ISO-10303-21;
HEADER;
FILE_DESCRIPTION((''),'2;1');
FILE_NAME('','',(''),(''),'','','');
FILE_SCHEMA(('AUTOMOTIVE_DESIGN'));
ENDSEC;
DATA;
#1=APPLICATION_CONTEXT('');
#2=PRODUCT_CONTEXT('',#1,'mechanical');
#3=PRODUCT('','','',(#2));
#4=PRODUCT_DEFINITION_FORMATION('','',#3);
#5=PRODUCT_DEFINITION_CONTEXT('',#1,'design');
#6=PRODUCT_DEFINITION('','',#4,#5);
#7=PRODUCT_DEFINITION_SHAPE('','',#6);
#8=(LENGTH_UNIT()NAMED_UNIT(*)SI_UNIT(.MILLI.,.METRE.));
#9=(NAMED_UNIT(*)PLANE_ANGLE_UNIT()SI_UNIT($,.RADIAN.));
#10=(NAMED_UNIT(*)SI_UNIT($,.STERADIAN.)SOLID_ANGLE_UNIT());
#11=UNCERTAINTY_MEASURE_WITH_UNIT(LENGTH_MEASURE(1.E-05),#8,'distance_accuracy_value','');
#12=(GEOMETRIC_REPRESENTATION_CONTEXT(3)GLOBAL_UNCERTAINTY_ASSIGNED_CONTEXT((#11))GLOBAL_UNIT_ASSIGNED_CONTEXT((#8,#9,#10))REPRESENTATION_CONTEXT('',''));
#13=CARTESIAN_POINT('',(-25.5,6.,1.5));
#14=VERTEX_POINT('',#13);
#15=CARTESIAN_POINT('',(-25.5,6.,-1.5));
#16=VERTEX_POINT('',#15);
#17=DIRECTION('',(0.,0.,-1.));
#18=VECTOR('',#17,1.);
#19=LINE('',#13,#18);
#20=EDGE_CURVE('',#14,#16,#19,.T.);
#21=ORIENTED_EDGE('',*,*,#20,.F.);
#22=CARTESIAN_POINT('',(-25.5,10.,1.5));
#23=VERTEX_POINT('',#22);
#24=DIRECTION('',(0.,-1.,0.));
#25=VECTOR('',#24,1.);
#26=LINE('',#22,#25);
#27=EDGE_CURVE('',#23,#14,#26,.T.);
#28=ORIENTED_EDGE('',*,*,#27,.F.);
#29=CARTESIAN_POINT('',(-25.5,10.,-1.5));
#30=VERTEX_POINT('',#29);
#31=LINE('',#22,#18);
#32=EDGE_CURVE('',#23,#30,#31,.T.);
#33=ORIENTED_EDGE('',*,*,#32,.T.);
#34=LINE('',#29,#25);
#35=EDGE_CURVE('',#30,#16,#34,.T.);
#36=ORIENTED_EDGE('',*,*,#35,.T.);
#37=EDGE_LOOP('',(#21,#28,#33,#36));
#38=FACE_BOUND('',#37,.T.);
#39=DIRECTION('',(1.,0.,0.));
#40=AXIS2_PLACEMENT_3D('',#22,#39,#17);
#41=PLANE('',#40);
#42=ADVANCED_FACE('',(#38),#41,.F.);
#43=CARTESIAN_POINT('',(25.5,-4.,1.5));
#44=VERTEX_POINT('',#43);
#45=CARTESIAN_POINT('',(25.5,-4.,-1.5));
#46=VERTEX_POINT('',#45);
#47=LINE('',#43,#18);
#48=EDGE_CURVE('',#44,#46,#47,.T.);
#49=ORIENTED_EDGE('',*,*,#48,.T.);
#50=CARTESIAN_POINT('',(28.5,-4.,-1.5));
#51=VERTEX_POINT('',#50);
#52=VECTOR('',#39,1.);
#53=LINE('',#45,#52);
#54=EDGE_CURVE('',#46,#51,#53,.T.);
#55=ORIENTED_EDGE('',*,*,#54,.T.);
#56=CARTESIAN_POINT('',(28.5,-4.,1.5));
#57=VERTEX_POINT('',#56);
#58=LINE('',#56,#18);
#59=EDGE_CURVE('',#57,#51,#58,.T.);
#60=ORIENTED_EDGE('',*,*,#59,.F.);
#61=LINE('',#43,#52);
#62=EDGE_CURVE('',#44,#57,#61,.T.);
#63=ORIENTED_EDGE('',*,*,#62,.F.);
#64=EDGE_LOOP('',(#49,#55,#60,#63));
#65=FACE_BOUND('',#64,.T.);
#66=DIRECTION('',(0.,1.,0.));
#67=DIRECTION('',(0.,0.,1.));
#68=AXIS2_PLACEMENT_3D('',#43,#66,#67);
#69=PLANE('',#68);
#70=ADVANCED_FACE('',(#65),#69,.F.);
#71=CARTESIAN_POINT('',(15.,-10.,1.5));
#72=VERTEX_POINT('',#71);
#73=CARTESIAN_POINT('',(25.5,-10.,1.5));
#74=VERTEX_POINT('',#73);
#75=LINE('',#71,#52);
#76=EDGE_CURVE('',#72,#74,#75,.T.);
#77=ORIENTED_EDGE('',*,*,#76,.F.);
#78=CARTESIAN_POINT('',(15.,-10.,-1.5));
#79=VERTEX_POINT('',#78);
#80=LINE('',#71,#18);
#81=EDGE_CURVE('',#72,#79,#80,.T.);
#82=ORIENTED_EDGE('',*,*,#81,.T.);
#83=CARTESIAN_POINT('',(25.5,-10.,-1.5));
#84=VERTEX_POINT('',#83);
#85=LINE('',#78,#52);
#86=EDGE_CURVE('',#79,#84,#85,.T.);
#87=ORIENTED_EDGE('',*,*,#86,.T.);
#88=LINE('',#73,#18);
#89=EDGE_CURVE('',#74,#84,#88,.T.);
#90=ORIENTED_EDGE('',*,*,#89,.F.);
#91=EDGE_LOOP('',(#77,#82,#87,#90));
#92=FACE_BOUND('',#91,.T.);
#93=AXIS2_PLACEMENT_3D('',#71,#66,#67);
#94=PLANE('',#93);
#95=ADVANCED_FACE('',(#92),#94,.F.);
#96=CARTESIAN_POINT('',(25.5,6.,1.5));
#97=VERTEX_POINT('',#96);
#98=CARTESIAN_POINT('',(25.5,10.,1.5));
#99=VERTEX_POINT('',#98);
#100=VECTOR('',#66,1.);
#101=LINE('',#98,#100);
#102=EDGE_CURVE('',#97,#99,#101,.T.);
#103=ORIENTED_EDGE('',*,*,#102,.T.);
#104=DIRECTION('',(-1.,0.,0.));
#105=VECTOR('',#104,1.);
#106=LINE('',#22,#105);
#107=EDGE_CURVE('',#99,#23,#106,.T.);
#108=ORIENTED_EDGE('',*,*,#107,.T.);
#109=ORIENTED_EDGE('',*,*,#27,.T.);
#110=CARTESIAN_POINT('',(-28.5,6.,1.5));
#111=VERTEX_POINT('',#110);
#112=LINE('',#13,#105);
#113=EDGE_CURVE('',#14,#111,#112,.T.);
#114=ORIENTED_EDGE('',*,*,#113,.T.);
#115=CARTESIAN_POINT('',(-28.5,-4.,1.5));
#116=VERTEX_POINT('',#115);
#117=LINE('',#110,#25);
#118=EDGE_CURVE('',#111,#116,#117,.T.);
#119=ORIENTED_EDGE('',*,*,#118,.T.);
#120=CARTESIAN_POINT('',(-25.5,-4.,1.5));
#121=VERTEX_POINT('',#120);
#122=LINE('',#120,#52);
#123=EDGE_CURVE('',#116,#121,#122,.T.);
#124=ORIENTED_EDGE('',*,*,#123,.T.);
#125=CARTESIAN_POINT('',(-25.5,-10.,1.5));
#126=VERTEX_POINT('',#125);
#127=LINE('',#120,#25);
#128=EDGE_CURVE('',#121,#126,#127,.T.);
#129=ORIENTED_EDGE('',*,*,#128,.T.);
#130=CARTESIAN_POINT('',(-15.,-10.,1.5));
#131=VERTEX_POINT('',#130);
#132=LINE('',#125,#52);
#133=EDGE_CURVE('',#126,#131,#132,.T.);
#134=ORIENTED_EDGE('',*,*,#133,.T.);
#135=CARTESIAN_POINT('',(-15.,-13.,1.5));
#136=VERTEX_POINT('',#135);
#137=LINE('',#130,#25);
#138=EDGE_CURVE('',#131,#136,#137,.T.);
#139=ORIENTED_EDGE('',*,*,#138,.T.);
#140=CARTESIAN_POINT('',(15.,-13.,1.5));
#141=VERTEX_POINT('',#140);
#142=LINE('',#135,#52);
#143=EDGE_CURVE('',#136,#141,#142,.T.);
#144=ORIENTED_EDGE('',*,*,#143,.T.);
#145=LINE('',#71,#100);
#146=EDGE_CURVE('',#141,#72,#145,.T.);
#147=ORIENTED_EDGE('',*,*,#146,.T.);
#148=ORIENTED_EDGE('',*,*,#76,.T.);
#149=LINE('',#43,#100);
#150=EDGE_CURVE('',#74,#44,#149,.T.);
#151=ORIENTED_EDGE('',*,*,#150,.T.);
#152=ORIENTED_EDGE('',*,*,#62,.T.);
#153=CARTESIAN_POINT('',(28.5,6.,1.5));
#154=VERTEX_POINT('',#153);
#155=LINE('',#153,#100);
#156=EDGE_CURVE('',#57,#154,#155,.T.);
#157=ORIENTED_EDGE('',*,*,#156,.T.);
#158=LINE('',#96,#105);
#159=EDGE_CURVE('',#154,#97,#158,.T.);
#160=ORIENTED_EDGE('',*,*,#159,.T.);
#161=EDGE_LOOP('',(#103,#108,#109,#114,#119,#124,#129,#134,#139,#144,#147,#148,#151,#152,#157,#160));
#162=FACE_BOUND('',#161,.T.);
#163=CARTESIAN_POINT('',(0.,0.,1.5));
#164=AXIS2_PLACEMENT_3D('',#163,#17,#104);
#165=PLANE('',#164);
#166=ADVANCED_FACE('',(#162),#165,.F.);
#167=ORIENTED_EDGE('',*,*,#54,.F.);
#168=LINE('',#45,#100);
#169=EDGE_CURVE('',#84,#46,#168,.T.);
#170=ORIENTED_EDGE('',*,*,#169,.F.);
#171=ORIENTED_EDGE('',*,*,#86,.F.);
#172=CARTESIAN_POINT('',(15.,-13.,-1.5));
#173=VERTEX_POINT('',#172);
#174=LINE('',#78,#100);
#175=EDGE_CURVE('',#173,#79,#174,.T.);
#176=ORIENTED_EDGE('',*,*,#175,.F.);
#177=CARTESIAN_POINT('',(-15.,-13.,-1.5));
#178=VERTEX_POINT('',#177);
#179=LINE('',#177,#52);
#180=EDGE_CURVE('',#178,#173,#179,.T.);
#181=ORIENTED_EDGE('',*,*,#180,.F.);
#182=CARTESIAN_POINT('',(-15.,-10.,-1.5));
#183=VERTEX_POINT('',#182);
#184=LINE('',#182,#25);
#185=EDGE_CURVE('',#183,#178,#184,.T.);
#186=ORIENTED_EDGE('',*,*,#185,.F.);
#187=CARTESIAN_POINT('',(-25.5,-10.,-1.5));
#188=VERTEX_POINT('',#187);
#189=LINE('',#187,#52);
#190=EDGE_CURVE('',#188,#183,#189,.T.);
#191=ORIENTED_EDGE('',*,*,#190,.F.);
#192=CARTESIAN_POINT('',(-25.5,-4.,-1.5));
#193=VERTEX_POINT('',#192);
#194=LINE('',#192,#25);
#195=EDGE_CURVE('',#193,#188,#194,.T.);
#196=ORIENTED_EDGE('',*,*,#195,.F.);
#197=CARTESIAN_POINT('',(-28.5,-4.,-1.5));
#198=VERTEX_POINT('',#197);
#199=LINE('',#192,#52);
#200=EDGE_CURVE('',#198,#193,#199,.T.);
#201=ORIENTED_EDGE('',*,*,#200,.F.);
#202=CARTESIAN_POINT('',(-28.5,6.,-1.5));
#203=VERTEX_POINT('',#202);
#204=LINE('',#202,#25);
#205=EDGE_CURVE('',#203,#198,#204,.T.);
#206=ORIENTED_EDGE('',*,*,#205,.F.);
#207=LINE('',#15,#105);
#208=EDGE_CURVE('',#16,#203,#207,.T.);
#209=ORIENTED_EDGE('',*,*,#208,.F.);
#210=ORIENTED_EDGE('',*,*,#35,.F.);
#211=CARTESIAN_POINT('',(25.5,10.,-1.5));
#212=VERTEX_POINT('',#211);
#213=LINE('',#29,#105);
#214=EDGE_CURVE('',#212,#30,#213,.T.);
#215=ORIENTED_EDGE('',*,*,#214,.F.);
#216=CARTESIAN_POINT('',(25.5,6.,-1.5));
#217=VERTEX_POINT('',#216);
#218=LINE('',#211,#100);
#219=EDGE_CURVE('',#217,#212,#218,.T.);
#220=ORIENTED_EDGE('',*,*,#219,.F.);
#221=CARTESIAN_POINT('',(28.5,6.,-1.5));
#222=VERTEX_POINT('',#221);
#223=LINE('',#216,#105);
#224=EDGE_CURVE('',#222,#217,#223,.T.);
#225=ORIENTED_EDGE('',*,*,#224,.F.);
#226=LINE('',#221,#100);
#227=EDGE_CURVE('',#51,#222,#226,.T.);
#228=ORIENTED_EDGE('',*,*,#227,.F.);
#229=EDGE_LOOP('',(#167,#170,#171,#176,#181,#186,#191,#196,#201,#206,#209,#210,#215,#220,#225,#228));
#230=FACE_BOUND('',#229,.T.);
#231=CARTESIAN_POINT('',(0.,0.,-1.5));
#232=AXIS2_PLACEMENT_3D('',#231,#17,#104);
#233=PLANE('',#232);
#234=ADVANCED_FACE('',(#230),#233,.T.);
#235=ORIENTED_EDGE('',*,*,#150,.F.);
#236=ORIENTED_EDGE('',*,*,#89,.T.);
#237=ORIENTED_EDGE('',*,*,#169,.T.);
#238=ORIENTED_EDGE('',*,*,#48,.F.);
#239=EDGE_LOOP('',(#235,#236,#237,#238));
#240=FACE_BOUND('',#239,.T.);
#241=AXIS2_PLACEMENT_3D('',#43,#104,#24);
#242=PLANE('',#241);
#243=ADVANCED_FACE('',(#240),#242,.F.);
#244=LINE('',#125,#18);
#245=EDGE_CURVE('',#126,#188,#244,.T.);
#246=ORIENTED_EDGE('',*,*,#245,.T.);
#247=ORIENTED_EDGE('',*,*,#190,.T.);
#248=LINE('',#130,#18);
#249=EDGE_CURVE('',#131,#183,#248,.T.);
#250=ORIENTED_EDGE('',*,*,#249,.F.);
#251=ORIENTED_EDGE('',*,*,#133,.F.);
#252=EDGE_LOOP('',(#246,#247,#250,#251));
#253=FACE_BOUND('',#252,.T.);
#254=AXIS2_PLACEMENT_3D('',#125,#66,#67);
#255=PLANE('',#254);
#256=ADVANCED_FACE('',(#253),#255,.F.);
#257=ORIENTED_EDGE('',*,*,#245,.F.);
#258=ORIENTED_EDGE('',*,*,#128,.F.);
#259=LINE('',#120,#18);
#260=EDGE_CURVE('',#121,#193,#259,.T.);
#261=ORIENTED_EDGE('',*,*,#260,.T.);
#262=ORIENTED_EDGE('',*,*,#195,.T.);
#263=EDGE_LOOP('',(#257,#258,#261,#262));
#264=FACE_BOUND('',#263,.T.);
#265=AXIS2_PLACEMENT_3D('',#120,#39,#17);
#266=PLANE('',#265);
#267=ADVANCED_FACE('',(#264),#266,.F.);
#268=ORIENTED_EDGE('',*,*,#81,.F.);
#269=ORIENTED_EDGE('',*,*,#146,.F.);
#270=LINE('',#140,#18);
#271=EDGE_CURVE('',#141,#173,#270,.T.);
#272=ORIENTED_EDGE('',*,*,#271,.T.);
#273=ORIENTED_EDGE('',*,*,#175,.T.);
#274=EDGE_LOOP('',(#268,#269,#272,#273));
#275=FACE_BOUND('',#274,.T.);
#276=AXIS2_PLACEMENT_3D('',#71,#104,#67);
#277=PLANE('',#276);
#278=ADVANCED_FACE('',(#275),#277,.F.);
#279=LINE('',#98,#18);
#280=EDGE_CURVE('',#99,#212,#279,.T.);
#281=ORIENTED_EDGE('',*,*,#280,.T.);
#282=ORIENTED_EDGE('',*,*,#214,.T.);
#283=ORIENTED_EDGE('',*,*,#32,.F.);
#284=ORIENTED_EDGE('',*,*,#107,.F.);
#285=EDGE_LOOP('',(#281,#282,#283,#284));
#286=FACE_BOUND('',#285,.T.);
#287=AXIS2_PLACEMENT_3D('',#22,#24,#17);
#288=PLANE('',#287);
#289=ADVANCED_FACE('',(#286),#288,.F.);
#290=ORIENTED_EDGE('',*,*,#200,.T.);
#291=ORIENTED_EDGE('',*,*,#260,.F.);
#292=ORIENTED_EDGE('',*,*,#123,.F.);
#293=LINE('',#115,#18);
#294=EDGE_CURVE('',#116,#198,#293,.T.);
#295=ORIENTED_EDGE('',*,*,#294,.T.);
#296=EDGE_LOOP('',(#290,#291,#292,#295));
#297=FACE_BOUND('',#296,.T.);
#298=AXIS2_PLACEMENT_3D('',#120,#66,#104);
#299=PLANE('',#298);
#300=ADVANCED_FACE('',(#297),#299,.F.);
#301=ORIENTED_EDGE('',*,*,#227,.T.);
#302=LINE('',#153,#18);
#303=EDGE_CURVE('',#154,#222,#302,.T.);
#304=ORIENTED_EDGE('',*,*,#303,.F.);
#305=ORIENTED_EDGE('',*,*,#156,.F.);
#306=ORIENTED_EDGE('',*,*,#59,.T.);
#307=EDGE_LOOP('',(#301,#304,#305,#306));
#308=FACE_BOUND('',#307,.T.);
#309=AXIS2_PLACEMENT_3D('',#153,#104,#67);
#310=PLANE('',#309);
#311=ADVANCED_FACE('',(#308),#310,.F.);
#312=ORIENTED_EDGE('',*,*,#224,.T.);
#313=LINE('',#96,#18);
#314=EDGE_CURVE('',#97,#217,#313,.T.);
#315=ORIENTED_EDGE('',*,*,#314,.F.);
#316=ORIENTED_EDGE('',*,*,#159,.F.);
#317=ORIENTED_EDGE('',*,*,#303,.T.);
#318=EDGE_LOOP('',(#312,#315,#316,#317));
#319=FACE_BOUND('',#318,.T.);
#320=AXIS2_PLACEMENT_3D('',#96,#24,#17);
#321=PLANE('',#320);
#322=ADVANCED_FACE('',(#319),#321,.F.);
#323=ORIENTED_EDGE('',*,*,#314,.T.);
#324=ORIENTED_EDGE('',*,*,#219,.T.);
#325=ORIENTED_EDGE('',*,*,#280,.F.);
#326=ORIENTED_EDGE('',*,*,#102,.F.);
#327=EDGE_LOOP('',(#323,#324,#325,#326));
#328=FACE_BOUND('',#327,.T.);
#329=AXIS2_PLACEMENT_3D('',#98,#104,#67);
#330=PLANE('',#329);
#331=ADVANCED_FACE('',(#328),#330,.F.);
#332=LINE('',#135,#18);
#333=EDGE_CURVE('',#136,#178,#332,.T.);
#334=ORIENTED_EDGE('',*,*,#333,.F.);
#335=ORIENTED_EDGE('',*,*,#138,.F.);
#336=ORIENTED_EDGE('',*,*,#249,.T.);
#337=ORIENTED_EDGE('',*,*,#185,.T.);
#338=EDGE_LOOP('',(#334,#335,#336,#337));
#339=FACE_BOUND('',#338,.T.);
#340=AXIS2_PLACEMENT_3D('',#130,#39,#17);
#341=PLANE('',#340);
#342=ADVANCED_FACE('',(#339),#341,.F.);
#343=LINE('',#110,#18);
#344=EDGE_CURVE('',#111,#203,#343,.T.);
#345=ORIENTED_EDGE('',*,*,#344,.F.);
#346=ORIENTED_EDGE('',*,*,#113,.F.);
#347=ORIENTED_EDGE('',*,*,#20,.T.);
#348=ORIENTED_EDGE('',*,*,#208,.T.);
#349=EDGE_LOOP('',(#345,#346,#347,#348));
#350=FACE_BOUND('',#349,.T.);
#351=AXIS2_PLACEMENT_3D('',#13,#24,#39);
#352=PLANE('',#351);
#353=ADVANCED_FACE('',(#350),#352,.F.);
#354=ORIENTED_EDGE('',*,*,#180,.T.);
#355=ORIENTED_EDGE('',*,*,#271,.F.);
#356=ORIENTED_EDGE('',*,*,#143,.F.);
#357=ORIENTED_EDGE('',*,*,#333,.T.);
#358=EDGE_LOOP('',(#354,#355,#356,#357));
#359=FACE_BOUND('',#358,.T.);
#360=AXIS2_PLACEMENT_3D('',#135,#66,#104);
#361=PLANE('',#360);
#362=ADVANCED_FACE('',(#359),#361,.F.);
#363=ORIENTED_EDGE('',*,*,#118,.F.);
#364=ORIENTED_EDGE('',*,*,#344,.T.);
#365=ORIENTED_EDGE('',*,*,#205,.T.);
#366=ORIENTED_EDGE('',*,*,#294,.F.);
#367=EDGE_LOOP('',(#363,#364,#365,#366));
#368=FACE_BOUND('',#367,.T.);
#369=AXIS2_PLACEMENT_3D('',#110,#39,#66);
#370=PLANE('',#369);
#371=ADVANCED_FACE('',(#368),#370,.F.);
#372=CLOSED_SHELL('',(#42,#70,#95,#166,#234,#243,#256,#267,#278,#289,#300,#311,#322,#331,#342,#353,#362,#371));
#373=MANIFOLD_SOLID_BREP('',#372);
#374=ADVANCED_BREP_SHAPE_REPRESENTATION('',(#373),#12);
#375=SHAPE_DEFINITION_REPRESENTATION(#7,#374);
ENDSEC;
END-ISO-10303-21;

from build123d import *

# Parameters (mm, degrees)
BOSS_EXTRUDE1_DEPTH = 1.5


with BuildPart() as part:
    # Sketch1 → Boss-Extrude1 (new body, symmetric)
    with BuildSketch(Plane.XY):
        Polygon((-25.5, -4), (-25.5, -10), (-15, -10), (-15, -13), (15, -13), (15, -10), (25.5, -10), (25.5, -4), (28.5, -4), (28.5, 6), (25.5, 6), (25.5, 10), (-25.5, 10), (-25.5, 6), (-28.5, 6), (-28.5, -4), align=None)
    extrude(amount=BOSS_EXTRUDE1_DEPTH, both=True)


solid = part.part
